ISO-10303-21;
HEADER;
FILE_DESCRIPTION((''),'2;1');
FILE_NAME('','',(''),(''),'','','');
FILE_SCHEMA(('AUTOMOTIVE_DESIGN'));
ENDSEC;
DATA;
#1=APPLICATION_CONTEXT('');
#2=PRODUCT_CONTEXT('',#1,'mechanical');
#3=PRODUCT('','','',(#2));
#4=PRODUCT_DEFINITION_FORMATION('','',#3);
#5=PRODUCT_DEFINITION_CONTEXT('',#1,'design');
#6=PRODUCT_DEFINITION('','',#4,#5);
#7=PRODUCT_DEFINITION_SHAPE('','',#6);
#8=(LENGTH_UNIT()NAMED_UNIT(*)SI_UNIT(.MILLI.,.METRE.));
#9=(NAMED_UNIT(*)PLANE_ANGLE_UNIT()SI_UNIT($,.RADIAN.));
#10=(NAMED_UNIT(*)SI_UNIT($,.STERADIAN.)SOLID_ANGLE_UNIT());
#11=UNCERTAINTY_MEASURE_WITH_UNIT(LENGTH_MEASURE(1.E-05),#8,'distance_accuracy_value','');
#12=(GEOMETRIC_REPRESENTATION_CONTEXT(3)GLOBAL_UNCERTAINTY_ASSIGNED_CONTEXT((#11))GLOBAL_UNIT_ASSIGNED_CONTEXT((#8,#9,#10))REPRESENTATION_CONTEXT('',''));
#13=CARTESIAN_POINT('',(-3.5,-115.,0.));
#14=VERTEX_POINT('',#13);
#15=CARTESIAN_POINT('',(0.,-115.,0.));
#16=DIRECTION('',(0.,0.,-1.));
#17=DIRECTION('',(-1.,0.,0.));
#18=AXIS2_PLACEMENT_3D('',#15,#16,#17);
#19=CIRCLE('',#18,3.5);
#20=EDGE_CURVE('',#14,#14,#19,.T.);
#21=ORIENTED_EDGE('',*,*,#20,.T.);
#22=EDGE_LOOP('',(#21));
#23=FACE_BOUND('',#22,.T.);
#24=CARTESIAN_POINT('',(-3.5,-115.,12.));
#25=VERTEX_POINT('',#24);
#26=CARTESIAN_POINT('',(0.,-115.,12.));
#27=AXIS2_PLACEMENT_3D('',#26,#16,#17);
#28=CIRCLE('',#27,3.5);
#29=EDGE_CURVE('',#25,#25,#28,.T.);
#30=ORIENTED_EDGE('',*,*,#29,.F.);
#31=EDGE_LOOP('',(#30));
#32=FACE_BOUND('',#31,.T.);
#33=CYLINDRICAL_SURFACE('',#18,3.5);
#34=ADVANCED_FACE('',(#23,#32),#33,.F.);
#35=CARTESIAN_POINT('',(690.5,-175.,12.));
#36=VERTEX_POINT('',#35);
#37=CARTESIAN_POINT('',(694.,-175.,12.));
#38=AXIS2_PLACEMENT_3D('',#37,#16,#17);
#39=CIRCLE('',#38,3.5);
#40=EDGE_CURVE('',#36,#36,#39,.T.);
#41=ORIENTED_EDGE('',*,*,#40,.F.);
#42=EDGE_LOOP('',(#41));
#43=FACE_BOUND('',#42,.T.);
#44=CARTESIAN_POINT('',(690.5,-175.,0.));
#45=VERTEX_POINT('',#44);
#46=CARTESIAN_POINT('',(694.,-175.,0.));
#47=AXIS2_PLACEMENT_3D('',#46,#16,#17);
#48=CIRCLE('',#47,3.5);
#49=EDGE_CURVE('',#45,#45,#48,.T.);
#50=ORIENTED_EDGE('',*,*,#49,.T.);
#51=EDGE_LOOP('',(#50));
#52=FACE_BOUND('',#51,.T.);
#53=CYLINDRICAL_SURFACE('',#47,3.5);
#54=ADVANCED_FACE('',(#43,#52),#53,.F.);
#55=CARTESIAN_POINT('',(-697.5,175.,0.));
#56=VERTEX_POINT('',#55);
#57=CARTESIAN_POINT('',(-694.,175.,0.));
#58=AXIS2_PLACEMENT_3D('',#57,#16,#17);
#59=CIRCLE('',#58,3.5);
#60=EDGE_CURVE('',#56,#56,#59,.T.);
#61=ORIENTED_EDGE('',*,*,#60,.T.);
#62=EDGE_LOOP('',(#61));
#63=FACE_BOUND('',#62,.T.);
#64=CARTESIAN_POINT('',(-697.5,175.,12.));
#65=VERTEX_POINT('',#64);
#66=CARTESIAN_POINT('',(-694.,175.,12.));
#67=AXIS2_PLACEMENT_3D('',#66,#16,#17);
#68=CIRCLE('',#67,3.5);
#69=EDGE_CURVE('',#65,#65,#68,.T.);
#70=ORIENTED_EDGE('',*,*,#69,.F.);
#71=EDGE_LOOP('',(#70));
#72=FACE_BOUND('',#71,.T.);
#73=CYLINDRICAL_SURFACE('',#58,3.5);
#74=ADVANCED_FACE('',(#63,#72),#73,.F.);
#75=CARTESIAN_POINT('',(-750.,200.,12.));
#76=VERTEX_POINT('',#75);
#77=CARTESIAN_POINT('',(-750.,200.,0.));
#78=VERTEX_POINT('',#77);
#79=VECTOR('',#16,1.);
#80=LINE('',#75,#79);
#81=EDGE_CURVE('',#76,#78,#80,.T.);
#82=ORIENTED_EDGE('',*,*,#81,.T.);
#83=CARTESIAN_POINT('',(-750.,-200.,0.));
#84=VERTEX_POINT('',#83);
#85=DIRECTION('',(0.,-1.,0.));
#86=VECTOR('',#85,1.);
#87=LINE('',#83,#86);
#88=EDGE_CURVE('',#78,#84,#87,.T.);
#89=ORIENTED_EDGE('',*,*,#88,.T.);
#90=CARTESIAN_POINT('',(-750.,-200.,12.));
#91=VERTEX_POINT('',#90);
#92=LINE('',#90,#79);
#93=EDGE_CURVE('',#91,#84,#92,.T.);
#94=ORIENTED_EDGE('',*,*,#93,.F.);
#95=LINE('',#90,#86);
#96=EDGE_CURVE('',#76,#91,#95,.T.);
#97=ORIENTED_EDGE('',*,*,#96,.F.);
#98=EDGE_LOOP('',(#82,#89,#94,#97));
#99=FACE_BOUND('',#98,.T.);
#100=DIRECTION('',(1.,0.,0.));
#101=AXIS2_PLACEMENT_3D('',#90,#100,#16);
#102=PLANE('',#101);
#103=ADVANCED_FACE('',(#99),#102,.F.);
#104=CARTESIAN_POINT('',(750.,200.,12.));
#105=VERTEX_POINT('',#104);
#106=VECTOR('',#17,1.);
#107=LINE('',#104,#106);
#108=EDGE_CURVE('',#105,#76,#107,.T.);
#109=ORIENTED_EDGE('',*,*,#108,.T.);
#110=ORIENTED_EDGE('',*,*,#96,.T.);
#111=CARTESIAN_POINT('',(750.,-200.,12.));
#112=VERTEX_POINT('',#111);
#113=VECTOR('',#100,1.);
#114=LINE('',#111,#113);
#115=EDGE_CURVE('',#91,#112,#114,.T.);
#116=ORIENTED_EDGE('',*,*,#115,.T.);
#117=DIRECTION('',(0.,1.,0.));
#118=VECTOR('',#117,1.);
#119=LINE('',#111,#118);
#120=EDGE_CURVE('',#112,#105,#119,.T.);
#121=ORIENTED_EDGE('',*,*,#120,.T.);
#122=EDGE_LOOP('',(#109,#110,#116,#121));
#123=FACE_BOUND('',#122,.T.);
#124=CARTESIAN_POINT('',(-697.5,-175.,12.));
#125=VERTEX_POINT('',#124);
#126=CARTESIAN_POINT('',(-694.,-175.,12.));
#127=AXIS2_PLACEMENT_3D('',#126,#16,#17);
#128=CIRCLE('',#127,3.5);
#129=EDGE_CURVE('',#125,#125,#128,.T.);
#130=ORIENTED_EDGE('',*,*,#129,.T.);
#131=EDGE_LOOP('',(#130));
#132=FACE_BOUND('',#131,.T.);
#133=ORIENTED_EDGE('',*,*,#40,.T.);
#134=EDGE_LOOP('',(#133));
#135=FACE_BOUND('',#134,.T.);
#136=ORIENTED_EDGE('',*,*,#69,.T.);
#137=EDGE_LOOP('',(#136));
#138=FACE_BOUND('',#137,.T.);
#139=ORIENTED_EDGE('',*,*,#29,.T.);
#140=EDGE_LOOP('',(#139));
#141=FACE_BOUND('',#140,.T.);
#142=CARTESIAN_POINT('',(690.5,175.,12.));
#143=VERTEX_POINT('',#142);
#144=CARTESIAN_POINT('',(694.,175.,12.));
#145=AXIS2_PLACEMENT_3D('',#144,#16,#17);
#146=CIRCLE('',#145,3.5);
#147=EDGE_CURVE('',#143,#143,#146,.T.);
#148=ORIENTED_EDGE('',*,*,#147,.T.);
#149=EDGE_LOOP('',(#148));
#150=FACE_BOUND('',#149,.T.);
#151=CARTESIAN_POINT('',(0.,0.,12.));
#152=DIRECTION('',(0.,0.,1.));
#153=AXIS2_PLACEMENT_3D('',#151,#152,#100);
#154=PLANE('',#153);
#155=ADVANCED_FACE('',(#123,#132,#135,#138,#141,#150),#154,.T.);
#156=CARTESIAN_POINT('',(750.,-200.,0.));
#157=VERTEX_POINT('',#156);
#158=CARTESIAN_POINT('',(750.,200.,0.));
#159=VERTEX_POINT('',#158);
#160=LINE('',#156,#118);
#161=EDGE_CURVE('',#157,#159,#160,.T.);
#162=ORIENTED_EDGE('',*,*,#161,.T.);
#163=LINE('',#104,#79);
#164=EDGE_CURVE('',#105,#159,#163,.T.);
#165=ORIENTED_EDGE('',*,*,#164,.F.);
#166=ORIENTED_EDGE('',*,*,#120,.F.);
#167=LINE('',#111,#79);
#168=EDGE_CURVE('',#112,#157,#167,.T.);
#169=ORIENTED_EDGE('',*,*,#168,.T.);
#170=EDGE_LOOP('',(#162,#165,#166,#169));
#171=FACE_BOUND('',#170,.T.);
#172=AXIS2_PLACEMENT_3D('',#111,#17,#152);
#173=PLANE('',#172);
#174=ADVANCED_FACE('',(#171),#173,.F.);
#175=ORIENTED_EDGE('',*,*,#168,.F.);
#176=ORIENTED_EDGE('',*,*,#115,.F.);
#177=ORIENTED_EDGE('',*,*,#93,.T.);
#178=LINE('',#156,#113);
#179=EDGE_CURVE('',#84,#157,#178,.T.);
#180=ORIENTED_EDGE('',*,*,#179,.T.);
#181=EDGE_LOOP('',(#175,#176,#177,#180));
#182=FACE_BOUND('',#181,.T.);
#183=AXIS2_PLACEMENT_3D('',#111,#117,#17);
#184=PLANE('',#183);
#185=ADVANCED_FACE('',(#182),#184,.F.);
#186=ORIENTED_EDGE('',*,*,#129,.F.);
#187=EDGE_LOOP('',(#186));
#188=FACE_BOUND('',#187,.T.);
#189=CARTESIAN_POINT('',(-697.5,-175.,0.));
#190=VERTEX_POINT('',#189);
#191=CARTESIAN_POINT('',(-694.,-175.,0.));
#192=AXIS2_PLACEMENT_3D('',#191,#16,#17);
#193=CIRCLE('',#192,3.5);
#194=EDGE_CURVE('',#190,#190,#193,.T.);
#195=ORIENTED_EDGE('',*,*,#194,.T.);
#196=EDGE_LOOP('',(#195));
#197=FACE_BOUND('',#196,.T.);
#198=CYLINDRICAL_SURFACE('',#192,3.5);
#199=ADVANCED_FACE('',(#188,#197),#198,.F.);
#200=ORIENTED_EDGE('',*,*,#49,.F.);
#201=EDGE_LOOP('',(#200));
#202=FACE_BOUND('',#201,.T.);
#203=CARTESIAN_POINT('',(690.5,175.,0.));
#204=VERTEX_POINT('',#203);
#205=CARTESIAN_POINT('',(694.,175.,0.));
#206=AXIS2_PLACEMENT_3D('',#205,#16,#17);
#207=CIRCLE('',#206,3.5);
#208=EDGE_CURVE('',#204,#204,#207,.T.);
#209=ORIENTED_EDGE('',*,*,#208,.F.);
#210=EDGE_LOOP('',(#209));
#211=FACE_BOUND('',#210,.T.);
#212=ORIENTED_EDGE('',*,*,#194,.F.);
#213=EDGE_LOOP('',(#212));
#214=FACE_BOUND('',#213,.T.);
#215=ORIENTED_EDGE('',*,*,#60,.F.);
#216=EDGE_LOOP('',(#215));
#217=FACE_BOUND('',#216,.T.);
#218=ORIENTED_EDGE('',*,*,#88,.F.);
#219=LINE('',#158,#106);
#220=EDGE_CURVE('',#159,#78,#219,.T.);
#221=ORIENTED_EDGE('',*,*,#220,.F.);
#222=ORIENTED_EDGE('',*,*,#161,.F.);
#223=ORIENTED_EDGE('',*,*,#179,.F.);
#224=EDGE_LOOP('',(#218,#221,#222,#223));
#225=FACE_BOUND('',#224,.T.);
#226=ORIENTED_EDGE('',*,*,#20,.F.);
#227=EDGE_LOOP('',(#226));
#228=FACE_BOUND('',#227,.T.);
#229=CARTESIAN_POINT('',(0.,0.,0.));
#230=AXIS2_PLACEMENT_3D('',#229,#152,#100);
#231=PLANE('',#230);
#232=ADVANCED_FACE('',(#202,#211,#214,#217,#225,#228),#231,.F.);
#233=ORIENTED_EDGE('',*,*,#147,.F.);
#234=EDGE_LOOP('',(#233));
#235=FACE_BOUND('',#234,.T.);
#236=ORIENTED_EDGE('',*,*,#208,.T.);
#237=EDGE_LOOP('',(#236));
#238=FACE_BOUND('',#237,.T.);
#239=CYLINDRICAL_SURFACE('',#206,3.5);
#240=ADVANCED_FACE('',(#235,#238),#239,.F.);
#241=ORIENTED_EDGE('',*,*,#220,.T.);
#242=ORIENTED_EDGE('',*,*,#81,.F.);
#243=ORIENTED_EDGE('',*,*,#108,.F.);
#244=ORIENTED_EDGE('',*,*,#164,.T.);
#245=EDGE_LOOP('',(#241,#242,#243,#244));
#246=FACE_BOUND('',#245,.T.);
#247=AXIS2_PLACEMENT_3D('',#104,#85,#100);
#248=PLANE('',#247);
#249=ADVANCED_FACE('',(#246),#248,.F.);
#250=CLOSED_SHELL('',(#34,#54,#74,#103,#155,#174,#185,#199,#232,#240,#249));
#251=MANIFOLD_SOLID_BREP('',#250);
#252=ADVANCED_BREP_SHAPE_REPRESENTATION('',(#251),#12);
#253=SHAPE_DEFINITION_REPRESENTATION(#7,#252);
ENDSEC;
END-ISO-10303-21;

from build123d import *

# Parameters (mm, degrees)
SKETCH1_W                   = 1500
SKETCH1_H                   = 400
RAWMATERIAL_DEPTH           = 12
F_7_0_7_FRAME_MOUNT_HOLES_D = 7


with BuildPart() as part:
    # Sketch1 → RawMaterial (new body)
    with BuildSketch(Plane.XY):
        Rectangle(SKETCH1_W, SKETCH1_H)
    extrude(amount=RAWMATERIAL_DEPTH)

    # Ø7.0 (7) Frame Mount Holes (through all)
    with Locations(Plane(origin=(0, 0, 0), x_dir=(-1, 0, 0), z_dir=(0, 0, -1))):
        with Locations((-694, 175), (-694, -175), (694, -175), (694, 175), (0, -115)):
            Hole(F_7_0_7_FRAME_MOUNT_HOLES_D / 2)


solid = part.part
